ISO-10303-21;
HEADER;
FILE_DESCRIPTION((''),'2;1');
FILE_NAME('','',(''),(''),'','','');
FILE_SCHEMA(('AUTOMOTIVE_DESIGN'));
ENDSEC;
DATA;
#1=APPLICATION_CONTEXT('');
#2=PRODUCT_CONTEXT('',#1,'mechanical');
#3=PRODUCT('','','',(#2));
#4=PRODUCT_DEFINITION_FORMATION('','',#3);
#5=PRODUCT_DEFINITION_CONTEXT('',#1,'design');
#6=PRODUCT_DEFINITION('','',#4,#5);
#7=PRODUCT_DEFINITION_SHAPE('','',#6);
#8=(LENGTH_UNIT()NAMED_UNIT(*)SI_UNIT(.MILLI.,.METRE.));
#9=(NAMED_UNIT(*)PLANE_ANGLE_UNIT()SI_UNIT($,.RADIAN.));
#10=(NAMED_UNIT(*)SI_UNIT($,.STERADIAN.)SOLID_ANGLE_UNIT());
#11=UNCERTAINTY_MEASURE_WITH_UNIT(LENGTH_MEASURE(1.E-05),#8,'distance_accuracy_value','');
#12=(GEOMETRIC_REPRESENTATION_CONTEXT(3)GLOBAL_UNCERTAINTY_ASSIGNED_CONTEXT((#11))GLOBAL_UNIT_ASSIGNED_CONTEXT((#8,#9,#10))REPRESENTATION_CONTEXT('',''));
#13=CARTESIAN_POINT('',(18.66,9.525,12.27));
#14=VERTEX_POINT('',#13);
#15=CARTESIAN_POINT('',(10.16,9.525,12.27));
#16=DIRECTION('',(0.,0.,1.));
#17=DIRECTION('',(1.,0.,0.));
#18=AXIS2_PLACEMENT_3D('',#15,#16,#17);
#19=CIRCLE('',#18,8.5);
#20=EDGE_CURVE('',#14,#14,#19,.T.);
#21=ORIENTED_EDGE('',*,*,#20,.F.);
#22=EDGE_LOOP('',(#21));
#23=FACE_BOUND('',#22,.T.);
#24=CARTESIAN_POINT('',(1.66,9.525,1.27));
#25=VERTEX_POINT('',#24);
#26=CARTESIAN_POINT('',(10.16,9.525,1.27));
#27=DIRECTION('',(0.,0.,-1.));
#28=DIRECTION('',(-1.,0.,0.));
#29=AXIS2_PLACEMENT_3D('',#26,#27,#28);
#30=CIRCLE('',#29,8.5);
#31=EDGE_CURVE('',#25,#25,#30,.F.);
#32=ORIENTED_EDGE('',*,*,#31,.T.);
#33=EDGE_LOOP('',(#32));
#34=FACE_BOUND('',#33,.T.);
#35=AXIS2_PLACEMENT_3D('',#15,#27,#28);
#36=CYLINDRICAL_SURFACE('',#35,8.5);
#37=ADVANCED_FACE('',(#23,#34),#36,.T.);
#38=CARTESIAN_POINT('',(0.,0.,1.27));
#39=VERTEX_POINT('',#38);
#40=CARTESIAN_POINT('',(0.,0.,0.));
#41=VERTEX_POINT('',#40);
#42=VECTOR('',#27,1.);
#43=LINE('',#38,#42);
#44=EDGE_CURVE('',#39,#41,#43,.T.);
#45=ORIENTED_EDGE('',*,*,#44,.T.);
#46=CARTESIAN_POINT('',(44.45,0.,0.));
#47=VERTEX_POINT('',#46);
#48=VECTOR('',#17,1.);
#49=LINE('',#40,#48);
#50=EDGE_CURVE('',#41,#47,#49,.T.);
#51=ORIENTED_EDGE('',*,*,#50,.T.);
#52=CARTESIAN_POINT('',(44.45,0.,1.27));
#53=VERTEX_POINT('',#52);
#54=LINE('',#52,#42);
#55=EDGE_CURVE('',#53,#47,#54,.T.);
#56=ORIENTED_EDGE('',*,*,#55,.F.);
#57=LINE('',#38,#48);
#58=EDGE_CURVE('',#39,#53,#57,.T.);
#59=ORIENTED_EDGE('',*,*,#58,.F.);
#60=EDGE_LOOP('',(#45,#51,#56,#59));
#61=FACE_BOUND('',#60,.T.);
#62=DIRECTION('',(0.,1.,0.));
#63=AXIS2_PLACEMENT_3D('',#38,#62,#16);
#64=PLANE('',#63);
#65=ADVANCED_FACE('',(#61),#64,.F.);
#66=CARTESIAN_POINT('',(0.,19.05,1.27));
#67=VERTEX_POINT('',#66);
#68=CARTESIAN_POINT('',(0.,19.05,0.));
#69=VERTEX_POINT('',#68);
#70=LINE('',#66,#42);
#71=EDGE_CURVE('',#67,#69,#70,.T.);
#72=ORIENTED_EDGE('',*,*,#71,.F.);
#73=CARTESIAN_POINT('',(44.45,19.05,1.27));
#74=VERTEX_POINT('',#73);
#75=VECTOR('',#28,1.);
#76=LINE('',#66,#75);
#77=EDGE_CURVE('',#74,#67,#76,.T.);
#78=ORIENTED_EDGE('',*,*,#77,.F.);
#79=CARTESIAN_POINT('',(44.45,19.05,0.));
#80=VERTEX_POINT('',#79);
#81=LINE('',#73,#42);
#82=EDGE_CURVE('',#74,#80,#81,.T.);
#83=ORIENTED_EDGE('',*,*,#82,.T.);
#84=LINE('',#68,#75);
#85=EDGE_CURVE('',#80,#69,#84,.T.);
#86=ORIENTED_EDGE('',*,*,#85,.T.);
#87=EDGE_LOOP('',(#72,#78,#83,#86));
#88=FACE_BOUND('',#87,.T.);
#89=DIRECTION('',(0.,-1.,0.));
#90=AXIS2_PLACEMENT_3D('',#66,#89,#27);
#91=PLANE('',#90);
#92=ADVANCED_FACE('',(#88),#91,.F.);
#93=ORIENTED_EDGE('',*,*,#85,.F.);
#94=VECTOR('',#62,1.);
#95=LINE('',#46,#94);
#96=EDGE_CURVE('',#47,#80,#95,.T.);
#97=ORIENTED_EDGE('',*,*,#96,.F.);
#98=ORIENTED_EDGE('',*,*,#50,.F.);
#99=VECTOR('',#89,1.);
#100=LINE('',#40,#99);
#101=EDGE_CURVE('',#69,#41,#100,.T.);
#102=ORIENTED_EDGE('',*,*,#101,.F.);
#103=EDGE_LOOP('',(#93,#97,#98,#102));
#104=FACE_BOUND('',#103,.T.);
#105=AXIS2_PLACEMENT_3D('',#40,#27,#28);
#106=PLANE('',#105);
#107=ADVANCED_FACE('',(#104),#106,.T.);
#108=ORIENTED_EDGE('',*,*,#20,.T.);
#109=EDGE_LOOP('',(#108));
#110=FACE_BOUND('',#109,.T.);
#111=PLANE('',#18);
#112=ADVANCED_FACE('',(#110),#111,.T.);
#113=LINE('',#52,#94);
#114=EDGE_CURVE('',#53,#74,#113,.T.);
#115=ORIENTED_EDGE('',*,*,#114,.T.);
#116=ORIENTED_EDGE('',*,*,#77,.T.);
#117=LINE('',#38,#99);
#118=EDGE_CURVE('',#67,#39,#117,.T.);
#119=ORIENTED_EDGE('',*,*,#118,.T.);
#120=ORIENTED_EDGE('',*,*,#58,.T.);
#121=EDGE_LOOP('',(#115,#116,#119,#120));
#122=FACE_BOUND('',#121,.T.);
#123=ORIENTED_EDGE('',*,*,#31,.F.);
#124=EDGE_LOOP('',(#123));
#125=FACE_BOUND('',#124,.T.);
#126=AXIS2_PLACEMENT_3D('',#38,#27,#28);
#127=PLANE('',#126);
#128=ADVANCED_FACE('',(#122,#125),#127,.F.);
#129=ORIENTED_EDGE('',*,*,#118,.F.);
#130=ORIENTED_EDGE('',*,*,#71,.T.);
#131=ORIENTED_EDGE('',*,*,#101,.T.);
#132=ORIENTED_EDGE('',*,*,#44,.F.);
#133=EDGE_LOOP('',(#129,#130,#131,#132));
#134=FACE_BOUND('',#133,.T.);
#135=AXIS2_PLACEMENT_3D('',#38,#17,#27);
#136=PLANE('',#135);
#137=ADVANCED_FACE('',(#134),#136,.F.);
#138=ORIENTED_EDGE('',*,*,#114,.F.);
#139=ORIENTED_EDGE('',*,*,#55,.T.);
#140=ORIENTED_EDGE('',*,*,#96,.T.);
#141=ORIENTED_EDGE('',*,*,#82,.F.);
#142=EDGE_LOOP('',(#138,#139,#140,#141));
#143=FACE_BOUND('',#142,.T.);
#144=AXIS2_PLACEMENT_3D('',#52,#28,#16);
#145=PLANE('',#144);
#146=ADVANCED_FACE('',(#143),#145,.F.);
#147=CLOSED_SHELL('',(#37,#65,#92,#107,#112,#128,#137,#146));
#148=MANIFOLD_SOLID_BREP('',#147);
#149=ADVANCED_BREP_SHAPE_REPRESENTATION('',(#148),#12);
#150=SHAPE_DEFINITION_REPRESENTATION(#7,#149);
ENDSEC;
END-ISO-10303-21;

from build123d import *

# Parameters (mm, degrees)
SKETCH1_W           = 44.45
SKETCH1_H           = 19.05
BOSS_EXTRUDE1_DEPTH = 1.27
SKETCH2_R           = 8.5
BOSS_EXTRUDE2_DEPTH = 11


with BuildPart() as part:
    # Sketch1 → Boss-Extrude1 (new body)
    with BuildSketch(Plane.XY):
        with Locations((22.225, 9.525)):
            Rectangle(SKETCH1_W, SKETCH1_H)
    extrude(amount=BOSS_EXTRUDE1_DEPTH)

    # Sketch2 → Boss-Extrude2 (add)
    with BuildSketch(Plane.XY.offset(1.27)):
        with Locations((10.16, 9.525)):
            Circle(SKETCH2_R)
    extrude(amount=BOSS_EXTRUDE2_DEPTH)


solid = part.part
